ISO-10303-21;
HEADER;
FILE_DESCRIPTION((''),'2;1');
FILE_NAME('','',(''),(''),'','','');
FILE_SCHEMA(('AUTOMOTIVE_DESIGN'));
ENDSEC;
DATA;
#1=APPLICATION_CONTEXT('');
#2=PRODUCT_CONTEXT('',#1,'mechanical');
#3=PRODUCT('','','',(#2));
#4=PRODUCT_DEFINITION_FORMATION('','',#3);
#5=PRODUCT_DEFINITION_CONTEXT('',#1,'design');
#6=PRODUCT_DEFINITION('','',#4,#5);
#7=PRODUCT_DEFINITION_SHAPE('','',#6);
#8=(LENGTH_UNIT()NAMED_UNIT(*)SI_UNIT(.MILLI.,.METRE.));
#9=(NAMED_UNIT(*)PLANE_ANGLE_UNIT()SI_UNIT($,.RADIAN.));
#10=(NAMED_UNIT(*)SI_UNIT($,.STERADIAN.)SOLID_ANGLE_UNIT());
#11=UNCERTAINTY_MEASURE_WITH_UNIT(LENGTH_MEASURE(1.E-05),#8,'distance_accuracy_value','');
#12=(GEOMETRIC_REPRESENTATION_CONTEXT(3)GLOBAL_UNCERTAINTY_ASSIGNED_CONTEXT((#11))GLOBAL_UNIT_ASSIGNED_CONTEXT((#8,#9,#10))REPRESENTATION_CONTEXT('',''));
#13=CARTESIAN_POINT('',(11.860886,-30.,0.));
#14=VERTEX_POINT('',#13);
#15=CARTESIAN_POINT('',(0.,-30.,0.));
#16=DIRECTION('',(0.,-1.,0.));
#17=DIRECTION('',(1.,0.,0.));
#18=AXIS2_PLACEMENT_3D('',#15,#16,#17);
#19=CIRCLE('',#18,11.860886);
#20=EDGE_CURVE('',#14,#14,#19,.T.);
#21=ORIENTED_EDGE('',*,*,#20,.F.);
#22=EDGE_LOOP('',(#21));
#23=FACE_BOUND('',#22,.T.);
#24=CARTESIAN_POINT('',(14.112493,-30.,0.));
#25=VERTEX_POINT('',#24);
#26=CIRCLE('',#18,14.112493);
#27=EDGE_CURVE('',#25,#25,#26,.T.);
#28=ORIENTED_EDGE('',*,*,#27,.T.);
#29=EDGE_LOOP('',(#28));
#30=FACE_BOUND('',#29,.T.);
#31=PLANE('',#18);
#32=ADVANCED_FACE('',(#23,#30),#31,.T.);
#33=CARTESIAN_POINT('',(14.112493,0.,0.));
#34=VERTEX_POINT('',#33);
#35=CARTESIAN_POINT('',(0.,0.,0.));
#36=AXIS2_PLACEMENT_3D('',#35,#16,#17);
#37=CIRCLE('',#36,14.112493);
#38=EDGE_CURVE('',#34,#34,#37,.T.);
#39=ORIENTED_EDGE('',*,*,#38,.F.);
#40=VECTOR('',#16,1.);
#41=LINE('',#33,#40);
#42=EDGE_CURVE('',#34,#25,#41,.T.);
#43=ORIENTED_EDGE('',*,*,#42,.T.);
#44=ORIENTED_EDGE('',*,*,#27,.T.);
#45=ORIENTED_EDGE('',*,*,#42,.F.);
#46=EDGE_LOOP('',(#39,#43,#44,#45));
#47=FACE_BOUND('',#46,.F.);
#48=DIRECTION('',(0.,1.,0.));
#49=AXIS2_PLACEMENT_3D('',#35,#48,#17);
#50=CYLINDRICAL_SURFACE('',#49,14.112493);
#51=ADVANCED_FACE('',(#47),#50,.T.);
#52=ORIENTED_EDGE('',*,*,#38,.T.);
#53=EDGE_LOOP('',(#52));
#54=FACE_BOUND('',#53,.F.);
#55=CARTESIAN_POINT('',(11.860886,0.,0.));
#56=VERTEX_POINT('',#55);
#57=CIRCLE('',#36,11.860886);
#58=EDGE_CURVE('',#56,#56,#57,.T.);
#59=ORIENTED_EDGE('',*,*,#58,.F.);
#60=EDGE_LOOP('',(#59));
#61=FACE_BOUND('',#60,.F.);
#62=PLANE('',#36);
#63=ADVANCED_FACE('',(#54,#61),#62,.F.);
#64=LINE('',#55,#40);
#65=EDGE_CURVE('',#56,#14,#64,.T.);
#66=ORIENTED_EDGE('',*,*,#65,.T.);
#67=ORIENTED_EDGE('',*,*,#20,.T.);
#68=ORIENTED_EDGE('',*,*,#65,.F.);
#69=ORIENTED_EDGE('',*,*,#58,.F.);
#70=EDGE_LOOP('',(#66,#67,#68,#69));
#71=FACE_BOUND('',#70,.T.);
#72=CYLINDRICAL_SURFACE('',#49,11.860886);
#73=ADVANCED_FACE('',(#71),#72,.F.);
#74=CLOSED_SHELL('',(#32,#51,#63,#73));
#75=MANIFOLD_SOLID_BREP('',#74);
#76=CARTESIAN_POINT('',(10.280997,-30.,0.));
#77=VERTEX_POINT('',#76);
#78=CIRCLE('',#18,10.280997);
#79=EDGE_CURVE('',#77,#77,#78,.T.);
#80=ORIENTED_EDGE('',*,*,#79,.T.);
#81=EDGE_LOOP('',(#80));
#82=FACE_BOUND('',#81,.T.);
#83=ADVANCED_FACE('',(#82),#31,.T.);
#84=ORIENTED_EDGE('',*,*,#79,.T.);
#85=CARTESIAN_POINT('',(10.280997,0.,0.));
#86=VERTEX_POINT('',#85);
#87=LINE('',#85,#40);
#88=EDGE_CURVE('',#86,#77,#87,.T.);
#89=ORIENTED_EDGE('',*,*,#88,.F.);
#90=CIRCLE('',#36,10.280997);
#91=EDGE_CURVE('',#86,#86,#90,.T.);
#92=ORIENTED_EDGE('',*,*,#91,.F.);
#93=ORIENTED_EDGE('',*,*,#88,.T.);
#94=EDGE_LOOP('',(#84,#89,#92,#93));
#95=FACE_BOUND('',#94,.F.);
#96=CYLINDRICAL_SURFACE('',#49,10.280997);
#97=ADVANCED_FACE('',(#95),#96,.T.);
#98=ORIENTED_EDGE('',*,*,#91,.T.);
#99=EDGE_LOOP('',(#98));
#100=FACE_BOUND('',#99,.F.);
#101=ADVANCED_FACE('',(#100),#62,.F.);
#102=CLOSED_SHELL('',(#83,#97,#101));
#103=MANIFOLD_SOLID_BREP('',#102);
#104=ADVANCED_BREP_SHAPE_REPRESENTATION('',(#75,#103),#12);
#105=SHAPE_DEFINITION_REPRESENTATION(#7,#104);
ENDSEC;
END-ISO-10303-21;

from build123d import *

# Parameters (mm, degrees)
F0_R     = 10.280997
F1_DEPTH = 30
F2_R     = 14.112493
F2_R_2   = 11.860886
F3_DEPTH = 30


with BuildPart() as f1:
    # F0 (on Front) → F1 (new body)
    with BuildSketch(Plane.XZ):
        Circle(F0_R)
    extrude(amount=F1_DEPTH)


with BuildPart() as f3:
    # F2 (on Front) → F3 (new body)
    with BuildSketch(Plane.XZ):
        Circle(F2_R)
        Circle(F2_R_2, mode=Mode.SUBTRACT)
    extrude(amount=F3_DEPTH)


solid = Compound([f1.part, f3.part])
